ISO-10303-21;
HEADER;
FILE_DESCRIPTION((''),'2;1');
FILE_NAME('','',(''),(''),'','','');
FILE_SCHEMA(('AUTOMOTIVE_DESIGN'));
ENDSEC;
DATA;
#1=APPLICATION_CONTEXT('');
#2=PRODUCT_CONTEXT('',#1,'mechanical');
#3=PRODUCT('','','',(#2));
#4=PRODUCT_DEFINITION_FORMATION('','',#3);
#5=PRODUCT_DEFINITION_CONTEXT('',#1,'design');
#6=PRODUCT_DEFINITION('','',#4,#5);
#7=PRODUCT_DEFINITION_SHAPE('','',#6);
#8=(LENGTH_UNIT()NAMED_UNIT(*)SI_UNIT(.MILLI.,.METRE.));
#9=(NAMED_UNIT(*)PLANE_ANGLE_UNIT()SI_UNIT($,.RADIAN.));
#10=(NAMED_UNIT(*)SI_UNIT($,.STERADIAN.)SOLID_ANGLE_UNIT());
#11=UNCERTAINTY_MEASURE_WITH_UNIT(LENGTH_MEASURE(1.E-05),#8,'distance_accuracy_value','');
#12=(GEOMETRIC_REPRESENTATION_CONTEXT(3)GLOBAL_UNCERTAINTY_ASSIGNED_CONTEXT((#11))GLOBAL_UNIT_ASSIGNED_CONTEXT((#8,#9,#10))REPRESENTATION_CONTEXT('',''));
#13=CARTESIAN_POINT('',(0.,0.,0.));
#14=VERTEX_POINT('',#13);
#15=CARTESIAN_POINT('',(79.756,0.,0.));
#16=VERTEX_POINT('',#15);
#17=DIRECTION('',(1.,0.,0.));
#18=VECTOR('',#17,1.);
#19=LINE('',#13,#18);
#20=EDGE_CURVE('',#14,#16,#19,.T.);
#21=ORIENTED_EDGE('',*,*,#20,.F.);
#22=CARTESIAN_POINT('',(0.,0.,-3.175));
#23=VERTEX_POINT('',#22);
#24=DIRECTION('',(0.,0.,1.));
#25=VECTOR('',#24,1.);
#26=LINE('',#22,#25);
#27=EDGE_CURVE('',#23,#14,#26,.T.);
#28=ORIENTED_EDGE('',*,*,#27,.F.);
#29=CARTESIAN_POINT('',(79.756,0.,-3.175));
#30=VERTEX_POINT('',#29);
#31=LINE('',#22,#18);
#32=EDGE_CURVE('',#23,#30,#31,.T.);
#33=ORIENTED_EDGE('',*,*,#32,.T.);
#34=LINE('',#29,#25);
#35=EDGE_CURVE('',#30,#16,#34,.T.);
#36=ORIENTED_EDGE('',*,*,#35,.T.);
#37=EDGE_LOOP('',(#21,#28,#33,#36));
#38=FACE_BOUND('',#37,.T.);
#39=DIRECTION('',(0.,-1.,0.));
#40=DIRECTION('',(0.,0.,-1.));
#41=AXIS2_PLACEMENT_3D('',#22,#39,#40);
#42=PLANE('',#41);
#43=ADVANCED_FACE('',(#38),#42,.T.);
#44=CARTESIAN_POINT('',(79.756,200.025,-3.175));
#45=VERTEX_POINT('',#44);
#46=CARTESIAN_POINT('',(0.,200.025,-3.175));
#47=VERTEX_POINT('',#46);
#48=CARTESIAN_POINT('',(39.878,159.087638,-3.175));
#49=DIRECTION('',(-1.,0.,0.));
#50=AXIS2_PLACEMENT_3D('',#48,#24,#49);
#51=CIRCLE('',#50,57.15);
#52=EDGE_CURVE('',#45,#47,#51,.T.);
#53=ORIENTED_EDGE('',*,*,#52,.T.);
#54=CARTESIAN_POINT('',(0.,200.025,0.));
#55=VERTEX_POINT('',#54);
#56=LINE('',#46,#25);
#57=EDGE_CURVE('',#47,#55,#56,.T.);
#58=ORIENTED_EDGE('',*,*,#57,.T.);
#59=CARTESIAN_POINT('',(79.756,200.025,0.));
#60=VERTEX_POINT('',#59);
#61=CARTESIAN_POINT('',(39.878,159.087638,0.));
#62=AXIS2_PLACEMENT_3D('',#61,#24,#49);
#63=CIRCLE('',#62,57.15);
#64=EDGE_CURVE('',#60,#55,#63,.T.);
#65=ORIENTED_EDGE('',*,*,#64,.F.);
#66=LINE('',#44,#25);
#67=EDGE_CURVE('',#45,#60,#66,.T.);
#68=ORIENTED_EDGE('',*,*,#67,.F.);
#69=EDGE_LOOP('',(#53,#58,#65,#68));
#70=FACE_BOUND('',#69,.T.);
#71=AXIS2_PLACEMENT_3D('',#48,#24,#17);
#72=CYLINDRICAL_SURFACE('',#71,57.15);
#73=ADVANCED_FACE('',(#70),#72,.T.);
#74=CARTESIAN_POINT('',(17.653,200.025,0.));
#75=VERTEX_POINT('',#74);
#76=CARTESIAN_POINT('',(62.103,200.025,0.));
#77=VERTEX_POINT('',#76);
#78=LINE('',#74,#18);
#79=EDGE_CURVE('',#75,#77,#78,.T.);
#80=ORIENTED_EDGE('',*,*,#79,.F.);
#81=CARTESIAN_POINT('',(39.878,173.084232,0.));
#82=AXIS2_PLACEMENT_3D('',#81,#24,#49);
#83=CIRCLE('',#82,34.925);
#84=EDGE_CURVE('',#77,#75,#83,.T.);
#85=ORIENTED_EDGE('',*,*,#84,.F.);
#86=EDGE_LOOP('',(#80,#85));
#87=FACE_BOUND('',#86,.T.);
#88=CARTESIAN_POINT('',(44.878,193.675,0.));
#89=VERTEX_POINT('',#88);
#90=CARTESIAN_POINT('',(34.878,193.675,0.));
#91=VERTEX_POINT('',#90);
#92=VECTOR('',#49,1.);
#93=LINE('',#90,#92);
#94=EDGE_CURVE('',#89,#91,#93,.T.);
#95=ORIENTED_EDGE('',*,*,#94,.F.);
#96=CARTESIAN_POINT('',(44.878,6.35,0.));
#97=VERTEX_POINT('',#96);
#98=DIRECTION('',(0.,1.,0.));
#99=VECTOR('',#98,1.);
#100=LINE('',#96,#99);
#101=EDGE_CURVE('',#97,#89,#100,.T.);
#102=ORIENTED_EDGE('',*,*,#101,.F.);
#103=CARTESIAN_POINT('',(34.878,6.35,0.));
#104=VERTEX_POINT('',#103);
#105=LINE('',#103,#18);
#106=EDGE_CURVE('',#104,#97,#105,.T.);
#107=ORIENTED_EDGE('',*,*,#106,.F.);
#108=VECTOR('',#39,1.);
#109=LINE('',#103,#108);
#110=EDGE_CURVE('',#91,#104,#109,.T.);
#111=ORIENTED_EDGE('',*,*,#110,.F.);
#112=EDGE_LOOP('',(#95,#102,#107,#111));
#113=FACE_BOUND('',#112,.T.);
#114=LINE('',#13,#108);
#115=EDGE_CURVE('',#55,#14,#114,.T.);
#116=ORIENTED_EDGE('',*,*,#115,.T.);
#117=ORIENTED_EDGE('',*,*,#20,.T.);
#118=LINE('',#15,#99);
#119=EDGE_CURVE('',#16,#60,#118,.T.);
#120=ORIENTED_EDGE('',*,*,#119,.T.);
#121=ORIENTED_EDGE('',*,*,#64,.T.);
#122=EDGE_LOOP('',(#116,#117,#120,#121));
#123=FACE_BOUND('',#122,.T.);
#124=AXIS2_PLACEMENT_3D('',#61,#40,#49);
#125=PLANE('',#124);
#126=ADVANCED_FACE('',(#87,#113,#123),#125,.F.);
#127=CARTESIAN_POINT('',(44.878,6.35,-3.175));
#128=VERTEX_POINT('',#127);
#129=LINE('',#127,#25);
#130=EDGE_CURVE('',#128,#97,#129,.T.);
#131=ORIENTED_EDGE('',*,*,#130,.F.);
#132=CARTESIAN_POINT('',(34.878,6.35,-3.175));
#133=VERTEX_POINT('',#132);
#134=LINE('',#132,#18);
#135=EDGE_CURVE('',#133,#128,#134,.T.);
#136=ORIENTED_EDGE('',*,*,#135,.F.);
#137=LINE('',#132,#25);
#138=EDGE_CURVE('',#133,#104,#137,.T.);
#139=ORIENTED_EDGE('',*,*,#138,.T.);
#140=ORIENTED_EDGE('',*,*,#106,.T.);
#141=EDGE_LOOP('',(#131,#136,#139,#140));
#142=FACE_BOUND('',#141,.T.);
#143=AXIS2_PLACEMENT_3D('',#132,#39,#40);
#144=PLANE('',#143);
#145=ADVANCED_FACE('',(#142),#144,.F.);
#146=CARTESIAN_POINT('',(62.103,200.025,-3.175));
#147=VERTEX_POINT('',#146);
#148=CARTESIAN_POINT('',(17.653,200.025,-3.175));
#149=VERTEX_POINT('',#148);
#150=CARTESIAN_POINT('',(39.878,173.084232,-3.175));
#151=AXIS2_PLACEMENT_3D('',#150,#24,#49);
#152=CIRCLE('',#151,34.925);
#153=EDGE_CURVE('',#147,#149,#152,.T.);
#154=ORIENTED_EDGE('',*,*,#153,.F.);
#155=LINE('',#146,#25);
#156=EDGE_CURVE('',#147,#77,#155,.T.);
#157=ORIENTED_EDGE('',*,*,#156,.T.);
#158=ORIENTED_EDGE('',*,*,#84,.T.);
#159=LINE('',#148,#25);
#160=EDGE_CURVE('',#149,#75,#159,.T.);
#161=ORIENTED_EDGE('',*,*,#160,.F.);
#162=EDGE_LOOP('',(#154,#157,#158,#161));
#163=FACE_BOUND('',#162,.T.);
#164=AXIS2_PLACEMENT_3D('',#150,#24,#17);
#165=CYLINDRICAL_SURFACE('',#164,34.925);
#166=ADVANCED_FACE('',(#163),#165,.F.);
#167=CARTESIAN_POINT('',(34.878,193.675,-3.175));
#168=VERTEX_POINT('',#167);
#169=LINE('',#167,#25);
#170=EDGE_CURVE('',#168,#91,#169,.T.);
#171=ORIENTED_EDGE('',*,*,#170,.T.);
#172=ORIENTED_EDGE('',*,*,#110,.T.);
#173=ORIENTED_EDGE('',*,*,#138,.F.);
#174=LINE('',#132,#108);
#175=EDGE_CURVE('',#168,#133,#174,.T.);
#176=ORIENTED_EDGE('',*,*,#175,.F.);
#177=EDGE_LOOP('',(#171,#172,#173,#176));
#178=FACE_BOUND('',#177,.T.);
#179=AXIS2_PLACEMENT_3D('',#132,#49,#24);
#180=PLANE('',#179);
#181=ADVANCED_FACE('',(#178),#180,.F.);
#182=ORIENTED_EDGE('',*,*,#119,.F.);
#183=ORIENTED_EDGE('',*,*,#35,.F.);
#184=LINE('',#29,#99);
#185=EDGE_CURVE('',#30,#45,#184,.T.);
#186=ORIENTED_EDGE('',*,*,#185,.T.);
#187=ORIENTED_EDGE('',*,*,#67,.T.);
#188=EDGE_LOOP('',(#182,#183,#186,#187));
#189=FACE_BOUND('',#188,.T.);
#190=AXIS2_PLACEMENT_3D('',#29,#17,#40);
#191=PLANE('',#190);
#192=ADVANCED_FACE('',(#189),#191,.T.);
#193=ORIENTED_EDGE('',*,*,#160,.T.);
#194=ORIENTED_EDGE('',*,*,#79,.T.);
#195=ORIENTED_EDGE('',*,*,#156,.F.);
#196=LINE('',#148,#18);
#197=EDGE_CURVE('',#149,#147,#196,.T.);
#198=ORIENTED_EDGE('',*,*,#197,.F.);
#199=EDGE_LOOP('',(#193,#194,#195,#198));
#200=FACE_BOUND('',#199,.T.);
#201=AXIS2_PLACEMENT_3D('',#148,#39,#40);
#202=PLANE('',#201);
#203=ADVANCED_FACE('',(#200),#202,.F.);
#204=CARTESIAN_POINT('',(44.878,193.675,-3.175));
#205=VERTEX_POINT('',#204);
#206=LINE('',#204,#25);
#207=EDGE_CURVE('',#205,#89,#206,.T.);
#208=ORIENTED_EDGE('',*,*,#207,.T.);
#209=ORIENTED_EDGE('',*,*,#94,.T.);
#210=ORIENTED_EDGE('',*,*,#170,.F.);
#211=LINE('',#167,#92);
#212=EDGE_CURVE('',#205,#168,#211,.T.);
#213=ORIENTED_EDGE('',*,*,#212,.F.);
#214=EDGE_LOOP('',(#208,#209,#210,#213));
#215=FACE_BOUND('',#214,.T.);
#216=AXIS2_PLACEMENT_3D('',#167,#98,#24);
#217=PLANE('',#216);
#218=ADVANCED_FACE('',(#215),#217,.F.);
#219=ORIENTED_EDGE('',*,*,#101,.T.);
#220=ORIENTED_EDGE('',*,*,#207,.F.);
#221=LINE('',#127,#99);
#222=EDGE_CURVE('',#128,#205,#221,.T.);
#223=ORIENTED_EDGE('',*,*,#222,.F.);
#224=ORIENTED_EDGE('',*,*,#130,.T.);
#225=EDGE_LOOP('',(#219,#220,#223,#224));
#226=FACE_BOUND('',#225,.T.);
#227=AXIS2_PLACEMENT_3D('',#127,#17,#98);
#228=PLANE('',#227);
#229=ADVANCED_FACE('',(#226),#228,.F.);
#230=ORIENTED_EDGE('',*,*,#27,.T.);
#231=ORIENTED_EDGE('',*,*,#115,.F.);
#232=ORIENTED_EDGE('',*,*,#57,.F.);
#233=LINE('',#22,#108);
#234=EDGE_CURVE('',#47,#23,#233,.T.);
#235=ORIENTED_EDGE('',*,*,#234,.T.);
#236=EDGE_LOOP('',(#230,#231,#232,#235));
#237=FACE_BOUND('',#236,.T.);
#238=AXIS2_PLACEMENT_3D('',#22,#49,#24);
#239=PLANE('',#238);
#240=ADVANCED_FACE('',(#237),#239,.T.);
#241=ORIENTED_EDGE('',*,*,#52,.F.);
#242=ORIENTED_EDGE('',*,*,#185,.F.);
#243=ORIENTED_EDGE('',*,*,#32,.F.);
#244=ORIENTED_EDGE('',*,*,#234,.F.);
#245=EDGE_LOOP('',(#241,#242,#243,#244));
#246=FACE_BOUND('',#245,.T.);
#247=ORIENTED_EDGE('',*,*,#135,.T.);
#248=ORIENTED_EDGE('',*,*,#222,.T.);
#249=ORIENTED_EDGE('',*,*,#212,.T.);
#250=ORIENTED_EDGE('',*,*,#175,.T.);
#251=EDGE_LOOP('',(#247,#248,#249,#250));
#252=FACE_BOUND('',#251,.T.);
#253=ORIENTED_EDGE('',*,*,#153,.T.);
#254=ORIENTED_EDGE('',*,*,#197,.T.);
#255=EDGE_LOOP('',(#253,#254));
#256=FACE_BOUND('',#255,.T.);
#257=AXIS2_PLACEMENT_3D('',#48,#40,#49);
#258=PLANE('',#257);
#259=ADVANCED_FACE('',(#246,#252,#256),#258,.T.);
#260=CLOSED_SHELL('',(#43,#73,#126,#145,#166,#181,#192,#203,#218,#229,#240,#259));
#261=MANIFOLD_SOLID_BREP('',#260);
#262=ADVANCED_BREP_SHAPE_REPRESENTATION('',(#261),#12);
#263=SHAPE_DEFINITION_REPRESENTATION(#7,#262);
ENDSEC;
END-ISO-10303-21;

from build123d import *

# Parameters (mm, degrees)
SKETCH1_W           = 10
SKETCH1_H           = 187.325
BOSS_EXTRUDE1_DEPTH = 3.175


with BuildPart() as part:
    # Sketch1 → Boss-Extrude1 (new body)
    with BuildSketch(Plane.XY):
        with BuildLine():
            Line((0, 0), (79.756, 0))
            Line((79.756, 0), (79.756, 200.025))
            ThreePointArc((79.756, 200.025), (39.878, 216.237637896), (0, 200.025))
            Line((0, 200.025), (0, 0))
        make_face()
        with BuildLine():
            Line((17.653, 200.025), (62.103, 200.025))
            ThreePointArc((62.103, 200.025), (39.878, 208.009231637), (17.653, 200.025))
        make_face(mode=Mode.SUBTRACT)
        with Locations((39.878, 100.0125)):
            Rectangle(SKETCH1_W, SKETCH1_H, mode=Mode.SUBTRACT)
    extrude(amount=-BOSS_EXTRUDE1_DEPTH)


solid = part.part
